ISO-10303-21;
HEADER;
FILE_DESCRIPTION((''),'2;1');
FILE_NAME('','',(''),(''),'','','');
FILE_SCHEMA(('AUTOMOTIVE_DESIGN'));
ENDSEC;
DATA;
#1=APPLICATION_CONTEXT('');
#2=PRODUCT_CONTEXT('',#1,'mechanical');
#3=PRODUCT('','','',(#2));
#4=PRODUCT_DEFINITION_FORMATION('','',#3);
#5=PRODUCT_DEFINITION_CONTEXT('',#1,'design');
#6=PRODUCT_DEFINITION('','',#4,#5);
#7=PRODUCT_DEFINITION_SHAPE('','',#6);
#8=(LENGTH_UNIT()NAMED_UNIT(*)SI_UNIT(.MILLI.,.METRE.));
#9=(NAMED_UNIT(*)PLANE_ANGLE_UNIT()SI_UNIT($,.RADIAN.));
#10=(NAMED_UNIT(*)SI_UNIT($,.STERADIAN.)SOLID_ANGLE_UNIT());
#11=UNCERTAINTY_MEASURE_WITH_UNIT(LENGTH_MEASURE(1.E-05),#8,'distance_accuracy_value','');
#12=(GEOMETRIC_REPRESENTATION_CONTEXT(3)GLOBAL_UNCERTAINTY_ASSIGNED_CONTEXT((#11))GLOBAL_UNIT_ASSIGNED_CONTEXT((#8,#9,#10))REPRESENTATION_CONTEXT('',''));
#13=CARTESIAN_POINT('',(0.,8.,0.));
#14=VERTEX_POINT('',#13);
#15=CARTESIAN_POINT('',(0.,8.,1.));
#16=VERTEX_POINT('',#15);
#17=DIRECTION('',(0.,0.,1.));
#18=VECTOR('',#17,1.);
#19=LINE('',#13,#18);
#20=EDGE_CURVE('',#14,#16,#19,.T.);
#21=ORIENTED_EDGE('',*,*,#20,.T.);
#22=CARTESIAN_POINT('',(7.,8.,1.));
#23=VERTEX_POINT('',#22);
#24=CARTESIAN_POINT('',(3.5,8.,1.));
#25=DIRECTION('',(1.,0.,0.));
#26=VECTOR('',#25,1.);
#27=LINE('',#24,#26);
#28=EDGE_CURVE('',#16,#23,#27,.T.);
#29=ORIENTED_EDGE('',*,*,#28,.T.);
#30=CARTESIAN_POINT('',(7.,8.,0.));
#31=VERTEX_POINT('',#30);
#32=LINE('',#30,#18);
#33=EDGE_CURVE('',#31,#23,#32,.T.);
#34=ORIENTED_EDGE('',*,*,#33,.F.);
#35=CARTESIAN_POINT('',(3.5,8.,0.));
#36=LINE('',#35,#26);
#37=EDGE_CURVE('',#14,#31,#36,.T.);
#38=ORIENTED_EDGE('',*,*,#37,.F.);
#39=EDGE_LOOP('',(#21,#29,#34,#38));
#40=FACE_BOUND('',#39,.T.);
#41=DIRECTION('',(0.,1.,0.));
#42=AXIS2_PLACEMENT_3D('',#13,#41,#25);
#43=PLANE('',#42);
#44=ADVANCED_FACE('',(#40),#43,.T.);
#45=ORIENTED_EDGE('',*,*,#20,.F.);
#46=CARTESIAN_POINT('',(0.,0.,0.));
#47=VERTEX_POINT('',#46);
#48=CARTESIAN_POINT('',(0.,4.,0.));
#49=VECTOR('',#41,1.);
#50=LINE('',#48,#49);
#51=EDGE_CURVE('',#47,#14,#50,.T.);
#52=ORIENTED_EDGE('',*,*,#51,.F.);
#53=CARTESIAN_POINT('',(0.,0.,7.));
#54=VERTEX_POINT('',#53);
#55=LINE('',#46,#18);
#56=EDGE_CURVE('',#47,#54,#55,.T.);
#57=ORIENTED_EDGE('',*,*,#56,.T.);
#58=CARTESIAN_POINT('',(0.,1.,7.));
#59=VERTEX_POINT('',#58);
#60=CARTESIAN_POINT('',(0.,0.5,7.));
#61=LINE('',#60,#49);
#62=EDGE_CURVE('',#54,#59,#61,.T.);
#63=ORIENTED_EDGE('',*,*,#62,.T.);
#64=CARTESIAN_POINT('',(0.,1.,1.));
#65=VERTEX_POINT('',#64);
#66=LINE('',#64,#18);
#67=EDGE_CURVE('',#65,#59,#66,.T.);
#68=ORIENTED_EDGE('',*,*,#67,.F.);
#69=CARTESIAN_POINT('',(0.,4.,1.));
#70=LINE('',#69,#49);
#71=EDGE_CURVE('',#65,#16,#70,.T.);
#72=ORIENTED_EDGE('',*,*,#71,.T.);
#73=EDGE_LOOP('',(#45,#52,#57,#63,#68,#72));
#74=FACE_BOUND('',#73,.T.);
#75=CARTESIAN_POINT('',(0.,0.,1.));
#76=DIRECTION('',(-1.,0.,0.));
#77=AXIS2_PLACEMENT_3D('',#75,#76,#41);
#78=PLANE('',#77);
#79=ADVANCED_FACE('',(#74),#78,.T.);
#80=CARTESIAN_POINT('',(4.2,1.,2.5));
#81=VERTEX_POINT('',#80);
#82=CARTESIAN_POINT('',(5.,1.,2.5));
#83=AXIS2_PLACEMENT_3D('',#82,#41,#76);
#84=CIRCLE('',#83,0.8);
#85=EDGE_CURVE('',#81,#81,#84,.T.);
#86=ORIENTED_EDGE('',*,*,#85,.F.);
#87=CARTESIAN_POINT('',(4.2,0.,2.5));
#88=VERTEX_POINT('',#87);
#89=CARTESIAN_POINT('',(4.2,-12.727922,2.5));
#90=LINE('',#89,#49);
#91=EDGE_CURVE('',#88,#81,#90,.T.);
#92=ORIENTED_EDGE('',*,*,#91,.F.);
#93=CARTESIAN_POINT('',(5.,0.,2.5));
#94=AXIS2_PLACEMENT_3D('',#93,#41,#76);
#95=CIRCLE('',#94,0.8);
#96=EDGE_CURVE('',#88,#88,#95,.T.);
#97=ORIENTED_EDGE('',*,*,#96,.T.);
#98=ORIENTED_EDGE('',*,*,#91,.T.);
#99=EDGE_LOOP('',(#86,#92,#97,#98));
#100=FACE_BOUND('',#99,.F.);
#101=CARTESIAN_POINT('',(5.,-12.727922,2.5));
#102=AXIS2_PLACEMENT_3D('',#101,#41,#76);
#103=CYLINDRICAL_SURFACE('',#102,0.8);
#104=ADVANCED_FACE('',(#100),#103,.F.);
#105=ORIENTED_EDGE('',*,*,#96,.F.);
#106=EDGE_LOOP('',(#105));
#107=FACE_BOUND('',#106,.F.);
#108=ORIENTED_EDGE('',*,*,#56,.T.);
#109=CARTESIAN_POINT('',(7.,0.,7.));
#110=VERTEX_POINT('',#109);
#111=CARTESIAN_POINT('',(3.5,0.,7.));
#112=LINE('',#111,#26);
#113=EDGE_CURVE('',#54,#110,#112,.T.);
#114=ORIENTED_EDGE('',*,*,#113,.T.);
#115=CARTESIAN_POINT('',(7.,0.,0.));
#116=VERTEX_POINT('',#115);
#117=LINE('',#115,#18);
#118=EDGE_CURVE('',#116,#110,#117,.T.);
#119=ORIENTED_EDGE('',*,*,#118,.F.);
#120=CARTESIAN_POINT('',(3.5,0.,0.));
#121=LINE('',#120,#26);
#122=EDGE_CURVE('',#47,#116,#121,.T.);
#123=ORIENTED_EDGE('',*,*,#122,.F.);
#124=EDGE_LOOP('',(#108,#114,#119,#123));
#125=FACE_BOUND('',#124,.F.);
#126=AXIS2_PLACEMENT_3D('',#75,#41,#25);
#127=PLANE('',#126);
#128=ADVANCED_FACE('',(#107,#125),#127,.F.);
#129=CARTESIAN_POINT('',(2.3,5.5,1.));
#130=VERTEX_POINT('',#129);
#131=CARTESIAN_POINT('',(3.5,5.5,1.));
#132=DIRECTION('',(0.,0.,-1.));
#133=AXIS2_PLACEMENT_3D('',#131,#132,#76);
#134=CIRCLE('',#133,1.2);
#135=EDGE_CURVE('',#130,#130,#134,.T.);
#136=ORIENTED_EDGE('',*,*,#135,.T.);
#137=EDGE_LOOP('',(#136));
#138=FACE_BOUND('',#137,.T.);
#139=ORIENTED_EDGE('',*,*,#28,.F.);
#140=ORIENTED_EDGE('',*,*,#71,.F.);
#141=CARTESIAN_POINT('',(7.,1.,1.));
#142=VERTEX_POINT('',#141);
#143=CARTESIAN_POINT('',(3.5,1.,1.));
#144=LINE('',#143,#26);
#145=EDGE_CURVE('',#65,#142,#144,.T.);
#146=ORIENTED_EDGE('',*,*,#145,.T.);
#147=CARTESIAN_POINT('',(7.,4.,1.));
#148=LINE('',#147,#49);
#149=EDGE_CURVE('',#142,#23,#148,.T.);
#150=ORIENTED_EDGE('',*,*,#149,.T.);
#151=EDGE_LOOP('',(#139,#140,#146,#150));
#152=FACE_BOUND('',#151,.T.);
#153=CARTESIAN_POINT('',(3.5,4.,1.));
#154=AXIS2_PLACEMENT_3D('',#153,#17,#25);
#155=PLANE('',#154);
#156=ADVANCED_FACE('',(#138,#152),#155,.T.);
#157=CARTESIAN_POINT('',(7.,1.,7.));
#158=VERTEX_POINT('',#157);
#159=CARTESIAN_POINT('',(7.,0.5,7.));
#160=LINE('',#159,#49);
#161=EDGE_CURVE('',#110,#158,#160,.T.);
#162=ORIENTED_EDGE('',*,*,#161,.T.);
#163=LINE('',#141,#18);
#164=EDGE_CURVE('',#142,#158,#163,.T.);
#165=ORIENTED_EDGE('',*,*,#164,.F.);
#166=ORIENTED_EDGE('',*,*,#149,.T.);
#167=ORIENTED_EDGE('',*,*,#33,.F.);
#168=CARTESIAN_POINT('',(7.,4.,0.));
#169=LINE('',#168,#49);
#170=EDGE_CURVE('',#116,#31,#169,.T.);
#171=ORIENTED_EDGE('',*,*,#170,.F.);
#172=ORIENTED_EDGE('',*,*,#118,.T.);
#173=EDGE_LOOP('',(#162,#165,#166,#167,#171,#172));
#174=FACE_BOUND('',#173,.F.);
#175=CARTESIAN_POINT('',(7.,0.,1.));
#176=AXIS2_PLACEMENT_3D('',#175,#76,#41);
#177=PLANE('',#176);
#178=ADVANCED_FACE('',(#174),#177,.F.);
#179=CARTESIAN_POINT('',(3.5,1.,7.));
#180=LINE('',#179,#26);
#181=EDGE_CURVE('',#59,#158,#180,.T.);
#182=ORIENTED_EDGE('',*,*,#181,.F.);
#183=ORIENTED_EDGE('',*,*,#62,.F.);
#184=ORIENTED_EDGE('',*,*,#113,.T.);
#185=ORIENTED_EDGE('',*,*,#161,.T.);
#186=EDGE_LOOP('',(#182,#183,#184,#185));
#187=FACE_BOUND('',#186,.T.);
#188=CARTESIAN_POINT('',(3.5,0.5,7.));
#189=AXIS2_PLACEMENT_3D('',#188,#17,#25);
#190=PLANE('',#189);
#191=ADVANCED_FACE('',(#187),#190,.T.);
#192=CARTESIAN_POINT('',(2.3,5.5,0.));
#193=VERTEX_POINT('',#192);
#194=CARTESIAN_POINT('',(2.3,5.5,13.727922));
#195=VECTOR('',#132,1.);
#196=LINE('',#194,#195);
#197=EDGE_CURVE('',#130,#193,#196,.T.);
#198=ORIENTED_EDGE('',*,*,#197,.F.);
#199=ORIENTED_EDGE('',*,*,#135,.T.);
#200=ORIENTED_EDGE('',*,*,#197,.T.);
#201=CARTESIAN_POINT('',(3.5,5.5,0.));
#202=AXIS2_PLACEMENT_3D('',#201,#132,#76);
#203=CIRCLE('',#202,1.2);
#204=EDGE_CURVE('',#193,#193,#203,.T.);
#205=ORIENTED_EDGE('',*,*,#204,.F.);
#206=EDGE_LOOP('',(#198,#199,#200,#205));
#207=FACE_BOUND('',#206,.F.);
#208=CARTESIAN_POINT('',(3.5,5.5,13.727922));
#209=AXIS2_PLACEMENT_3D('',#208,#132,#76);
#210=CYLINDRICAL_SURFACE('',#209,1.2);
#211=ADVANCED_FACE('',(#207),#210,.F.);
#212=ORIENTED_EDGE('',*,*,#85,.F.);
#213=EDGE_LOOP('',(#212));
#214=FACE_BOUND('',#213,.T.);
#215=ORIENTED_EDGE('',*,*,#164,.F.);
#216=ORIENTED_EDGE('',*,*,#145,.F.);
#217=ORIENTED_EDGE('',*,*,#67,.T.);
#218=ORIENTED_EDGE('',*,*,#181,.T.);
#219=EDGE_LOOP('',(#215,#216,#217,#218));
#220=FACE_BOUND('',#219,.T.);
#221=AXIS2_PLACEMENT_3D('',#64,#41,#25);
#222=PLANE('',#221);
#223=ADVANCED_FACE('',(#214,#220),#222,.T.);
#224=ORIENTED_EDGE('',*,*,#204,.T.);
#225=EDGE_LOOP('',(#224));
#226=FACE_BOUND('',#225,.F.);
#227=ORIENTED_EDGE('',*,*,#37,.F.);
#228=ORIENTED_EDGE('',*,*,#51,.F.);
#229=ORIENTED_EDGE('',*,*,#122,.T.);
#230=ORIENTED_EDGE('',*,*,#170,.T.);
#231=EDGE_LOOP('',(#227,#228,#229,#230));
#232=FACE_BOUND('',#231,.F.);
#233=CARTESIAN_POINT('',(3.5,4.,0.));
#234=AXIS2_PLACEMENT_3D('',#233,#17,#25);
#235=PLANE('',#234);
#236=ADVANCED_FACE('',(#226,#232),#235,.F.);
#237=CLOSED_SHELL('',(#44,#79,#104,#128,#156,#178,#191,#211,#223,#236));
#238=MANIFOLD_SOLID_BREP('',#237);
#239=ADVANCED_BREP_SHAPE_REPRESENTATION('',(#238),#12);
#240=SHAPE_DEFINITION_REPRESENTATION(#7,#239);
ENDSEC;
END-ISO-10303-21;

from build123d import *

# Parameters (mm, degrees)
F0_W     = 7
F0_H     = 8
F1_DEPTH = 1
F2_W     = 7
F2_H     = 1
F3_DEPTH = 6
F5_D     = 2.4
F7_D     = 1.6


with BuildPart() as f1:
    # F0 (on Top) → F1 (new body)
    with BuildSketch(Plane.XY):
        with Locations((3.5, 4)):
            Rectangle(F0_W, F0_H)
    extrude(amount=F1_DEPTH)

    # F2 (on face) → F3 (join)
    with BuildSketch(Plane.XY.offset(1)):
        with Locations((3.5, 0.5)):
            Rectangle(F2_W, F2_H)
    extrude(amount=F3_DEPTH)

    # F5 (through all)
    with Locations(Plane.XY.offset(1)):
        with Locations((3.5, 5.5)):
            Hole(F5_D / 2)

    # F7 (through all)
    with Locations(Plane.XZ):
        with Locations((5, 2.5)):
            Hole(F7_D / 2)


solid = f1.part
